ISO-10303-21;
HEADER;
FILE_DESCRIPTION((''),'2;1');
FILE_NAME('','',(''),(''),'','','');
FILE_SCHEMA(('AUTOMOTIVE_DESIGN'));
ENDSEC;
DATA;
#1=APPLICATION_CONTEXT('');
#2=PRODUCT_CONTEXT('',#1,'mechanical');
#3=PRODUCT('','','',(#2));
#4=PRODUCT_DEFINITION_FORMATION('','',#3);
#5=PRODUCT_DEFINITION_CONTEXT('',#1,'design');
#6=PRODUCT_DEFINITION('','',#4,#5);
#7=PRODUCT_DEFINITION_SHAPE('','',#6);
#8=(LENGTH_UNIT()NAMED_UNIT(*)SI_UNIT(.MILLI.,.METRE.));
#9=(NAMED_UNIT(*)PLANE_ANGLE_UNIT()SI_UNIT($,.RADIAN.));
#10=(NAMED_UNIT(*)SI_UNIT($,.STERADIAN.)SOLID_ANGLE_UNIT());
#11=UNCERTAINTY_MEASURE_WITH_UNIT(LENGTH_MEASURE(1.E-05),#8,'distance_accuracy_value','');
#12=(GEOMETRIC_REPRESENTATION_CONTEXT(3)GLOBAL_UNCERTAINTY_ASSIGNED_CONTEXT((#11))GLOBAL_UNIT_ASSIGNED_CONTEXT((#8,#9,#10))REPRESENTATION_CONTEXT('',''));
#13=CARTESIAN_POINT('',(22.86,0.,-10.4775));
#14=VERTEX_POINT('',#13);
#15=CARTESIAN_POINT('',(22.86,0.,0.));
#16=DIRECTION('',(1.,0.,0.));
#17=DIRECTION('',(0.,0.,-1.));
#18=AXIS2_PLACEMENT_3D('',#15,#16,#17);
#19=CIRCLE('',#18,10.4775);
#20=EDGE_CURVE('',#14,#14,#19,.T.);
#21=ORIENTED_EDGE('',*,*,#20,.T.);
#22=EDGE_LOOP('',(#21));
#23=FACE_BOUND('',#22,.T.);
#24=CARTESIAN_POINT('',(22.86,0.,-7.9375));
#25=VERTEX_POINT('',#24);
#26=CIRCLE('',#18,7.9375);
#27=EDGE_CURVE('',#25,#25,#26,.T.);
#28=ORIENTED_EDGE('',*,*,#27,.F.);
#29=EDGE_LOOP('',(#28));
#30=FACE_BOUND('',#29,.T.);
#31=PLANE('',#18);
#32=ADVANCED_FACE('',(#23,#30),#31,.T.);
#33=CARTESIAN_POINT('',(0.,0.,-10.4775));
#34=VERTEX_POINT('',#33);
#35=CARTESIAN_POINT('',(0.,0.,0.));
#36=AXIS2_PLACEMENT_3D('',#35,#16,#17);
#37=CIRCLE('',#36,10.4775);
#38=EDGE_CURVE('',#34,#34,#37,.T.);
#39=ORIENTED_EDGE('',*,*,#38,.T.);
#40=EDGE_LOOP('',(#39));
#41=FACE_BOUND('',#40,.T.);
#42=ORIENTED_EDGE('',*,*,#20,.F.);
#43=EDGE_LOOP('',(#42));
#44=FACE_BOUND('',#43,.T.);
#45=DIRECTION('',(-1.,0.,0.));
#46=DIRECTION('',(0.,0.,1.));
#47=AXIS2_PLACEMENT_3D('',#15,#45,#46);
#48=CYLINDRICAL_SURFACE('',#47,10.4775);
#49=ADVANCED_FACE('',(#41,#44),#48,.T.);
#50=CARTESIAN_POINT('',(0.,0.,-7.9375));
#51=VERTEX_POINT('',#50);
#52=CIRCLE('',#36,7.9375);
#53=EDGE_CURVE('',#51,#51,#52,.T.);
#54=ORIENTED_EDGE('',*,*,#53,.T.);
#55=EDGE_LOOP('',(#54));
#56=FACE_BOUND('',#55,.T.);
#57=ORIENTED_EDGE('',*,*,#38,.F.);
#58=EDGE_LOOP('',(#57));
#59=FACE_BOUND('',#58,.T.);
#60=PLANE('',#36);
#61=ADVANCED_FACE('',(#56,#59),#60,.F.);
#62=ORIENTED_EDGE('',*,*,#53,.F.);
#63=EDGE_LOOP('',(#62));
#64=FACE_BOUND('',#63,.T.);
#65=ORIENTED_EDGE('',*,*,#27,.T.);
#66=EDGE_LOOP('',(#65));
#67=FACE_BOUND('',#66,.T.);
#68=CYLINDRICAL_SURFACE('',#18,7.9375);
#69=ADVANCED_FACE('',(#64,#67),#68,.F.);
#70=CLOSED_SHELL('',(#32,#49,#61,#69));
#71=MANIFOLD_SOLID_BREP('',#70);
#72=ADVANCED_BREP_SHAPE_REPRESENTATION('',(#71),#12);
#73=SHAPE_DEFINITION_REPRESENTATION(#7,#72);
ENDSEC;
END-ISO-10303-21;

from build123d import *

# Parameters (mm, degrees)
SKETCH1_R                   = 10.4775
BOSS_EXTRUDE1_DEPTH         = 22.86
F_97_0_625_DIAMETER_HOLE1_D = 15.875


with BuildPart() as part:
    # Sketch1 → Boss-Extrude1 (new body)
    with BuildSketch(Plane(origin=(0, 0, 0), x_dir=(0, 0, -1), z_dir=(1, 0, 0))):
        Circle(SKETCH1_R)
    extrude(amount=BOSS_EXTRUDE1_DEPTH)

    # #97 (0.625) Diameter Hole1 (through all)
    with Locations(Plane(origin=(22.86, 0, 0), x_dir=(0, 0, -1), z_dir=(1, 0, 0))):
        with Locations((0, 0)):
            Hole(F_97_0_625_DIAMETER_HOLE1_D / 2)


solid = part.part
